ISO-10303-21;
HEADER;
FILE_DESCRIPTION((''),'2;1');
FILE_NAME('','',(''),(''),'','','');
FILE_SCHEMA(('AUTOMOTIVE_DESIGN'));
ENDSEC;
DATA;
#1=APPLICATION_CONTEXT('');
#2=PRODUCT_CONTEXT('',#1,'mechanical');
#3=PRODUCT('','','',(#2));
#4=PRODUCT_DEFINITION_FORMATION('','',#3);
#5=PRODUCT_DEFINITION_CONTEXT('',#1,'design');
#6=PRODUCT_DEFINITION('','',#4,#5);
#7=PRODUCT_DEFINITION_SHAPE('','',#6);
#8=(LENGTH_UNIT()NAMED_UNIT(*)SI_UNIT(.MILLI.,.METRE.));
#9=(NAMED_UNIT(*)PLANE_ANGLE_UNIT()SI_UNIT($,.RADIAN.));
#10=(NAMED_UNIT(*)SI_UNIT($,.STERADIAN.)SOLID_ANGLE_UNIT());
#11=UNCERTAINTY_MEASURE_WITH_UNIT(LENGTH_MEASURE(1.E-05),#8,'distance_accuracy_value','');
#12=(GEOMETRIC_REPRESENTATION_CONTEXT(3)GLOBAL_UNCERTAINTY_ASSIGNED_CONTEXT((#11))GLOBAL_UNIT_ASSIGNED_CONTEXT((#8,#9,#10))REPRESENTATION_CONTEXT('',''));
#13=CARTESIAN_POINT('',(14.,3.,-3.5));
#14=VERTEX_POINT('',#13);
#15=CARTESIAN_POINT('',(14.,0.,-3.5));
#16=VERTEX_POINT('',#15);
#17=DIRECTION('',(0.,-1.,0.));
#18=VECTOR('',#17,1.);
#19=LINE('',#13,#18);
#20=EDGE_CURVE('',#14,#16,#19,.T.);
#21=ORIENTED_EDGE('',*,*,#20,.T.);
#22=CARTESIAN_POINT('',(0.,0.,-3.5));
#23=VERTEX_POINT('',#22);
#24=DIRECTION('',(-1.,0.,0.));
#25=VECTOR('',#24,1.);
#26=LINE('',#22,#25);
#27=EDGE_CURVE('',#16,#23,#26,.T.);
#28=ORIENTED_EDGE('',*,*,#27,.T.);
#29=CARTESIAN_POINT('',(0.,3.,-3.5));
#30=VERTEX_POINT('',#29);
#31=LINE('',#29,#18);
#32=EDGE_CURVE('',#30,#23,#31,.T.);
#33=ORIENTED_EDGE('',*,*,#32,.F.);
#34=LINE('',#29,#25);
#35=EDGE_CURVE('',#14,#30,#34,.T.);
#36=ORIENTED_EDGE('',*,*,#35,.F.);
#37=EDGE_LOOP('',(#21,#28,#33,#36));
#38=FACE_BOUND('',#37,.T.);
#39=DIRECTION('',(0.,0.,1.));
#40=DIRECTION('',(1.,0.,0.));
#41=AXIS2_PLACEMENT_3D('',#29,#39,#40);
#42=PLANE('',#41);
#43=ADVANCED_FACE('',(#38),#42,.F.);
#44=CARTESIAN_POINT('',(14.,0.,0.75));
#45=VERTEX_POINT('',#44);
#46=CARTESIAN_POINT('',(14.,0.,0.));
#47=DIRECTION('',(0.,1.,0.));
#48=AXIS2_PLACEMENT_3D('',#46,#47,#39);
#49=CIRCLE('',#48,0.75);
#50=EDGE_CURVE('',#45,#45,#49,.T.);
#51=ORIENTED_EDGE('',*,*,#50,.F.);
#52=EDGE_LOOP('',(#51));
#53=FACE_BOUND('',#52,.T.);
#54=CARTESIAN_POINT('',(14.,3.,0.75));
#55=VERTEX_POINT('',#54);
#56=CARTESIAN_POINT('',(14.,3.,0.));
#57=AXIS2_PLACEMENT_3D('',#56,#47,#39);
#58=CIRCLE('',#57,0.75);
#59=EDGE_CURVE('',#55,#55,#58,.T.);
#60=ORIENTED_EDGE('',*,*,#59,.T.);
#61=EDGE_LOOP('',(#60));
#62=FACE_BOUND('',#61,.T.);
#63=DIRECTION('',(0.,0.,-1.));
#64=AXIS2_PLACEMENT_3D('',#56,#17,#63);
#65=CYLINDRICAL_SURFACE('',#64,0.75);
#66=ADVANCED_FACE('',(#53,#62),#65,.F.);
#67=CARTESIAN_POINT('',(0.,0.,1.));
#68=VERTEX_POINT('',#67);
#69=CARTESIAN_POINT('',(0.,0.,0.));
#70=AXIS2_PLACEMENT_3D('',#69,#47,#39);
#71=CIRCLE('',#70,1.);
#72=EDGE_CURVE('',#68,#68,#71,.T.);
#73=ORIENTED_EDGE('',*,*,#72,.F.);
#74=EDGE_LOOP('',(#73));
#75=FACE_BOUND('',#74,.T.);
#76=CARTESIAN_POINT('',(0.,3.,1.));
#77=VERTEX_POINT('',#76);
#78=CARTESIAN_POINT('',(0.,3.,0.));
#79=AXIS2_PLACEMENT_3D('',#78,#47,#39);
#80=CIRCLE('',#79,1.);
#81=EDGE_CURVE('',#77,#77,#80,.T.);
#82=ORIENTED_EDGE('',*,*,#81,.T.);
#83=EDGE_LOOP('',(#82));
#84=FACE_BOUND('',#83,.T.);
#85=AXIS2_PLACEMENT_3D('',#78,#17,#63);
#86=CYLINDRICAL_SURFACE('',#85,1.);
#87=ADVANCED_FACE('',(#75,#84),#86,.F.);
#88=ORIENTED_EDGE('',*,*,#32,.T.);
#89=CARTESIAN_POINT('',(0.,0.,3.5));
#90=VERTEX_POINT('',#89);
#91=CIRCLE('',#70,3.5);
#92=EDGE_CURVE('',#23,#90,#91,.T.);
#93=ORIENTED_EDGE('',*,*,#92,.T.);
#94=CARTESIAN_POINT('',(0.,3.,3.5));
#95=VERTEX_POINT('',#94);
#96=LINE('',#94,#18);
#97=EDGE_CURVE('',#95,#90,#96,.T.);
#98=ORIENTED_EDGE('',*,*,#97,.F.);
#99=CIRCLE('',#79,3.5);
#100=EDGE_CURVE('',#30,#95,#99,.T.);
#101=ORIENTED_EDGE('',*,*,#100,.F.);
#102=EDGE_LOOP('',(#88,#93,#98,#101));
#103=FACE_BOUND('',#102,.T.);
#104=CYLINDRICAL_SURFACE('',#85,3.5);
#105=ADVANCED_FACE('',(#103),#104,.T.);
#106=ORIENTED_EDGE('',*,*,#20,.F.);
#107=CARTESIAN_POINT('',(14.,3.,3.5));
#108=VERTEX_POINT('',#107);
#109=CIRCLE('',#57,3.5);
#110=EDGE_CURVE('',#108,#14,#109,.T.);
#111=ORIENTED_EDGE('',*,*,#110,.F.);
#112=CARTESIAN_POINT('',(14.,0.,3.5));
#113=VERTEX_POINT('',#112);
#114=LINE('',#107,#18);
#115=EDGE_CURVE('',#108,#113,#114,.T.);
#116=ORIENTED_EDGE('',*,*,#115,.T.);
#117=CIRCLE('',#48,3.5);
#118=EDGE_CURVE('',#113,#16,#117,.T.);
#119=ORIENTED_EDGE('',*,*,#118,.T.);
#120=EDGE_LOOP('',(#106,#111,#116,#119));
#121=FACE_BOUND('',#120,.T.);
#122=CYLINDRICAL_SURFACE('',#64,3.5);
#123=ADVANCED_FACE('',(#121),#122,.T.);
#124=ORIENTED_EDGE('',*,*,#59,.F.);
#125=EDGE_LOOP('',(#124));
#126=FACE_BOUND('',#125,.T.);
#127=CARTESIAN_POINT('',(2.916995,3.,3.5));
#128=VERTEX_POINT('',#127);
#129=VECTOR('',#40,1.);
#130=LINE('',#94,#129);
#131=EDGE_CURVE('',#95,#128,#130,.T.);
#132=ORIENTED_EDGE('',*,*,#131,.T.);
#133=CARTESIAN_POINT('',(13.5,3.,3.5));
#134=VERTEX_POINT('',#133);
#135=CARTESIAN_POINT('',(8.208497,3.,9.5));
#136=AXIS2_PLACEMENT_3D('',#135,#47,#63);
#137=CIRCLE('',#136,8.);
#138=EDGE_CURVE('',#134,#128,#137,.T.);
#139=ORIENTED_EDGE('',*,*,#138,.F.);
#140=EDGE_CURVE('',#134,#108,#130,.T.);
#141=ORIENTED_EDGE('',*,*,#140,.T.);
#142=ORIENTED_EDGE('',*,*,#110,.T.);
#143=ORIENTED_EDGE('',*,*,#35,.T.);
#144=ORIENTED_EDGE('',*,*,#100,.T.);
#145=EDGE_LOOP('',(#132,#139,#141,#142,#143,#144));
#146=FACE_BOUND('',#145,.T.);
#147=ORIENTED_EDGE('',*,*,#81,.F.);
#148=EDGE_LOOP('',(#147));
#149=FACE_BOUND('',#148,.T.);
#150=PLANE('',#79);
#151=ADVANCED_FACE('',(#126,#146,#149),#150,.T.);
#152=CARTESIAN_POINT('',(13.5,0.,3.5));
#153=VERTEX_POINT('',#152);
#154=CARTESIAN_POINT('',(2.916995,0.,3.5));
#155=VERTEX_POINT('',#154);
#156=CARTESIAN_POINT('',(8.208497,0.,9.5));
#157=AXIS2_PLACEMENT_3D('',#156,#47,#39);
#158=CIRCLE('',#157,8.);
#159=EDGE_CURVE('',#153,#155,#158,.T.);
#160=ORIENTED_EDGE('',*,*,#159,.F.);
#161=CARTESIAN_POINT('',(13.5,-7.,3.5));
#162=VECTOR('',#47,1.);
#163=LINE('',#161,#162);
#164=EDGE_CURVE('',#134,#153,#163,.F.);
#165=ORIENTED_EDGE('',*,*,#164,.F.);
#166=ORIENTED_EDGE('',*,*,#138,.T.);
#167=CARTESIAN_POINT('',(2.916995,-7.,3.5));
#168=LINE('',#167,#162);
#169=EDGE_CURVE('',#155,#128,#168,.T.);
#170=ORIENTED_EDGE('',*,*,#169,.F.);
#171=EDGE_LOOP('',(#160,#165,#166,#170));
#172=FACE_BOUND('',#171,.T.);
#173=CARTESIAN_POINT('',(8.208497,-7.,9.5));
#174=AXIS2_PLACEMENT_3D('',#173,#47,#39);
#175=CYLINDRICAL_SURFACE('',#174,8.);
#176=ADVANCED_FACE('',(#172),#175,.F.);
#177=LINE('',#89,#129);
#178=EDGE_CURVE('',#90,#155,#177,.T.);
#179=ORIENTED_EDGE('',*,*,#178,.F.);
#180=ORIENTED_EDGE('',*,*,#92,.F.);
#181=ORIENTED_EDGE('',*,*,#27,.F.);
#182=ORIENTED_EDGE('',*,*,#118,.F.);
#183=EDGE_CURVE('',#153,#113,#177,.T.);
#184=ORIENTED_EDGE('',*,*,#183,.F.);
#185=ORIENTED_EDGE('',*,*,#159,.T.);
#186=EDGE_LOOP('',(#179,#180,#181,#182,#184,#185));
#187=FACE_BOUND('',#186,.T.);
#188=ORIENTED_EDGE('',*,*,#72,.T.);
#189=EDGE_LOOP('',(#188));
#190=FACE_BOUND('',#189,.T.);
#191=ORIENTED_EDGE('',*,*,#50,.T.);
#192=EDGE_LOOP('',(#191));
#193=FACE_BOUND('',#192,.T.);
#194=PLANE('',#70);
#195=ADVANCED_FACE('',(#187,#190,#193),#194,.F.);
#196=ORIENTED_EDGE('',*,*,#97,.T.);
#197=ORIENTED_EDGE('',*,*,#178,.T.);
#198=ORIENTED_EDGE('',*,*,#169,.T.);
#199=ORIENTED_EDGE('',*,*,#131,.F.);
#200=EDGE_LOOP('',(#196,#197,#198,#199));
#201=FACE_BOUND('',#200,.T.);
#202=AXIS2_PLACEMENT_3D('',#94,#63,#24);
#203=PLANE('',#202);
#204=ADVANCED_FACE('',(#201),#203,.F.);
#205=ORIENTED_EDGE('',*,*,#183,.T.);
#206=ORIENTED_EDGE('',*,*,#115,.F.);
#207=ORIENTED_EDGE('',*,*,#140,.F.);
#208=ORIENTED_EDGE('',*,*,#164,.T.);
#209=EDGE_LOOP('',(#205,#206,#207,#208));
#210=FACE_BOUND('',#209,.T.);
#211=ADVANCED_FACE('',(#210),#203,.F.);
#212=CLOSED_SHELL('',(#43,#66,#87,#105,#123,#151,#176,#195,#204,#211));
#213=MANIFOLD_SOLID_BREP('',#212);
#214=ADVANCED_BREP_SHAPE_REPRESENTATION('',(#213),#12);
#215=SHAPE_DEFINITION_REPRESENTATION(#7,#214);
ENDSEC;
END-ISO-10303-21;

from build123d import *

# Parameters (mm, degrees)
SKETCH1_R           = 0.75
SKETCH1_R_2         = 1
BOSS_EXTRUDE1_DEPTH = 3
CUT_EXTRUDE1_DEPTH  = 10


with BuildPart() as part:
    # Sketch1 → Boss-Extrude1 (new body)
    with BuildSketch(Plane(origin=(0, 0, 0), x_dir=(1, 0, 0), z_dir=(0, 1, 0))):
        with BuildLine():
            Line((0, 3.5), (14, 3.5))
            ThreePointArc((14, 3.5), (17.5, 0), (14, -3.5))
            Line((14, -3.5), (0, -3.5))
            ThreePointArc((0, -3.5), (-3.5, 0), (0, 3.5))
        make_face()
        with Locations((14, 0)):
            Circle(SKETCH1_R, mode=Mode.SUBTRACT)
        Circle(SKETCH1_R_2, mode=Mode.SUBTRACT)
    extrude(amount=BOSS_EXTRUDE1_DEPTH)

    # Sketch2 → Cut-Extrude1 (cut)
    with BuildSketch(Plane(origin=(0, 3, 0), x_dir=(1, 0, 0), z_dir=(0, 1, 0))):
        with BuildLine():
            Line((2.916994756, -3.5), (13.5, -3.5))
            ThreePointArc((13.5, -3.5), (8.208497378, -1.5), (2.916994756, -3.5))
        make_face()
    extrude(amount=-CUT_EXTRUDE1_DEPTH, mode=Mode.SUBTRACT)


solid = part.part
